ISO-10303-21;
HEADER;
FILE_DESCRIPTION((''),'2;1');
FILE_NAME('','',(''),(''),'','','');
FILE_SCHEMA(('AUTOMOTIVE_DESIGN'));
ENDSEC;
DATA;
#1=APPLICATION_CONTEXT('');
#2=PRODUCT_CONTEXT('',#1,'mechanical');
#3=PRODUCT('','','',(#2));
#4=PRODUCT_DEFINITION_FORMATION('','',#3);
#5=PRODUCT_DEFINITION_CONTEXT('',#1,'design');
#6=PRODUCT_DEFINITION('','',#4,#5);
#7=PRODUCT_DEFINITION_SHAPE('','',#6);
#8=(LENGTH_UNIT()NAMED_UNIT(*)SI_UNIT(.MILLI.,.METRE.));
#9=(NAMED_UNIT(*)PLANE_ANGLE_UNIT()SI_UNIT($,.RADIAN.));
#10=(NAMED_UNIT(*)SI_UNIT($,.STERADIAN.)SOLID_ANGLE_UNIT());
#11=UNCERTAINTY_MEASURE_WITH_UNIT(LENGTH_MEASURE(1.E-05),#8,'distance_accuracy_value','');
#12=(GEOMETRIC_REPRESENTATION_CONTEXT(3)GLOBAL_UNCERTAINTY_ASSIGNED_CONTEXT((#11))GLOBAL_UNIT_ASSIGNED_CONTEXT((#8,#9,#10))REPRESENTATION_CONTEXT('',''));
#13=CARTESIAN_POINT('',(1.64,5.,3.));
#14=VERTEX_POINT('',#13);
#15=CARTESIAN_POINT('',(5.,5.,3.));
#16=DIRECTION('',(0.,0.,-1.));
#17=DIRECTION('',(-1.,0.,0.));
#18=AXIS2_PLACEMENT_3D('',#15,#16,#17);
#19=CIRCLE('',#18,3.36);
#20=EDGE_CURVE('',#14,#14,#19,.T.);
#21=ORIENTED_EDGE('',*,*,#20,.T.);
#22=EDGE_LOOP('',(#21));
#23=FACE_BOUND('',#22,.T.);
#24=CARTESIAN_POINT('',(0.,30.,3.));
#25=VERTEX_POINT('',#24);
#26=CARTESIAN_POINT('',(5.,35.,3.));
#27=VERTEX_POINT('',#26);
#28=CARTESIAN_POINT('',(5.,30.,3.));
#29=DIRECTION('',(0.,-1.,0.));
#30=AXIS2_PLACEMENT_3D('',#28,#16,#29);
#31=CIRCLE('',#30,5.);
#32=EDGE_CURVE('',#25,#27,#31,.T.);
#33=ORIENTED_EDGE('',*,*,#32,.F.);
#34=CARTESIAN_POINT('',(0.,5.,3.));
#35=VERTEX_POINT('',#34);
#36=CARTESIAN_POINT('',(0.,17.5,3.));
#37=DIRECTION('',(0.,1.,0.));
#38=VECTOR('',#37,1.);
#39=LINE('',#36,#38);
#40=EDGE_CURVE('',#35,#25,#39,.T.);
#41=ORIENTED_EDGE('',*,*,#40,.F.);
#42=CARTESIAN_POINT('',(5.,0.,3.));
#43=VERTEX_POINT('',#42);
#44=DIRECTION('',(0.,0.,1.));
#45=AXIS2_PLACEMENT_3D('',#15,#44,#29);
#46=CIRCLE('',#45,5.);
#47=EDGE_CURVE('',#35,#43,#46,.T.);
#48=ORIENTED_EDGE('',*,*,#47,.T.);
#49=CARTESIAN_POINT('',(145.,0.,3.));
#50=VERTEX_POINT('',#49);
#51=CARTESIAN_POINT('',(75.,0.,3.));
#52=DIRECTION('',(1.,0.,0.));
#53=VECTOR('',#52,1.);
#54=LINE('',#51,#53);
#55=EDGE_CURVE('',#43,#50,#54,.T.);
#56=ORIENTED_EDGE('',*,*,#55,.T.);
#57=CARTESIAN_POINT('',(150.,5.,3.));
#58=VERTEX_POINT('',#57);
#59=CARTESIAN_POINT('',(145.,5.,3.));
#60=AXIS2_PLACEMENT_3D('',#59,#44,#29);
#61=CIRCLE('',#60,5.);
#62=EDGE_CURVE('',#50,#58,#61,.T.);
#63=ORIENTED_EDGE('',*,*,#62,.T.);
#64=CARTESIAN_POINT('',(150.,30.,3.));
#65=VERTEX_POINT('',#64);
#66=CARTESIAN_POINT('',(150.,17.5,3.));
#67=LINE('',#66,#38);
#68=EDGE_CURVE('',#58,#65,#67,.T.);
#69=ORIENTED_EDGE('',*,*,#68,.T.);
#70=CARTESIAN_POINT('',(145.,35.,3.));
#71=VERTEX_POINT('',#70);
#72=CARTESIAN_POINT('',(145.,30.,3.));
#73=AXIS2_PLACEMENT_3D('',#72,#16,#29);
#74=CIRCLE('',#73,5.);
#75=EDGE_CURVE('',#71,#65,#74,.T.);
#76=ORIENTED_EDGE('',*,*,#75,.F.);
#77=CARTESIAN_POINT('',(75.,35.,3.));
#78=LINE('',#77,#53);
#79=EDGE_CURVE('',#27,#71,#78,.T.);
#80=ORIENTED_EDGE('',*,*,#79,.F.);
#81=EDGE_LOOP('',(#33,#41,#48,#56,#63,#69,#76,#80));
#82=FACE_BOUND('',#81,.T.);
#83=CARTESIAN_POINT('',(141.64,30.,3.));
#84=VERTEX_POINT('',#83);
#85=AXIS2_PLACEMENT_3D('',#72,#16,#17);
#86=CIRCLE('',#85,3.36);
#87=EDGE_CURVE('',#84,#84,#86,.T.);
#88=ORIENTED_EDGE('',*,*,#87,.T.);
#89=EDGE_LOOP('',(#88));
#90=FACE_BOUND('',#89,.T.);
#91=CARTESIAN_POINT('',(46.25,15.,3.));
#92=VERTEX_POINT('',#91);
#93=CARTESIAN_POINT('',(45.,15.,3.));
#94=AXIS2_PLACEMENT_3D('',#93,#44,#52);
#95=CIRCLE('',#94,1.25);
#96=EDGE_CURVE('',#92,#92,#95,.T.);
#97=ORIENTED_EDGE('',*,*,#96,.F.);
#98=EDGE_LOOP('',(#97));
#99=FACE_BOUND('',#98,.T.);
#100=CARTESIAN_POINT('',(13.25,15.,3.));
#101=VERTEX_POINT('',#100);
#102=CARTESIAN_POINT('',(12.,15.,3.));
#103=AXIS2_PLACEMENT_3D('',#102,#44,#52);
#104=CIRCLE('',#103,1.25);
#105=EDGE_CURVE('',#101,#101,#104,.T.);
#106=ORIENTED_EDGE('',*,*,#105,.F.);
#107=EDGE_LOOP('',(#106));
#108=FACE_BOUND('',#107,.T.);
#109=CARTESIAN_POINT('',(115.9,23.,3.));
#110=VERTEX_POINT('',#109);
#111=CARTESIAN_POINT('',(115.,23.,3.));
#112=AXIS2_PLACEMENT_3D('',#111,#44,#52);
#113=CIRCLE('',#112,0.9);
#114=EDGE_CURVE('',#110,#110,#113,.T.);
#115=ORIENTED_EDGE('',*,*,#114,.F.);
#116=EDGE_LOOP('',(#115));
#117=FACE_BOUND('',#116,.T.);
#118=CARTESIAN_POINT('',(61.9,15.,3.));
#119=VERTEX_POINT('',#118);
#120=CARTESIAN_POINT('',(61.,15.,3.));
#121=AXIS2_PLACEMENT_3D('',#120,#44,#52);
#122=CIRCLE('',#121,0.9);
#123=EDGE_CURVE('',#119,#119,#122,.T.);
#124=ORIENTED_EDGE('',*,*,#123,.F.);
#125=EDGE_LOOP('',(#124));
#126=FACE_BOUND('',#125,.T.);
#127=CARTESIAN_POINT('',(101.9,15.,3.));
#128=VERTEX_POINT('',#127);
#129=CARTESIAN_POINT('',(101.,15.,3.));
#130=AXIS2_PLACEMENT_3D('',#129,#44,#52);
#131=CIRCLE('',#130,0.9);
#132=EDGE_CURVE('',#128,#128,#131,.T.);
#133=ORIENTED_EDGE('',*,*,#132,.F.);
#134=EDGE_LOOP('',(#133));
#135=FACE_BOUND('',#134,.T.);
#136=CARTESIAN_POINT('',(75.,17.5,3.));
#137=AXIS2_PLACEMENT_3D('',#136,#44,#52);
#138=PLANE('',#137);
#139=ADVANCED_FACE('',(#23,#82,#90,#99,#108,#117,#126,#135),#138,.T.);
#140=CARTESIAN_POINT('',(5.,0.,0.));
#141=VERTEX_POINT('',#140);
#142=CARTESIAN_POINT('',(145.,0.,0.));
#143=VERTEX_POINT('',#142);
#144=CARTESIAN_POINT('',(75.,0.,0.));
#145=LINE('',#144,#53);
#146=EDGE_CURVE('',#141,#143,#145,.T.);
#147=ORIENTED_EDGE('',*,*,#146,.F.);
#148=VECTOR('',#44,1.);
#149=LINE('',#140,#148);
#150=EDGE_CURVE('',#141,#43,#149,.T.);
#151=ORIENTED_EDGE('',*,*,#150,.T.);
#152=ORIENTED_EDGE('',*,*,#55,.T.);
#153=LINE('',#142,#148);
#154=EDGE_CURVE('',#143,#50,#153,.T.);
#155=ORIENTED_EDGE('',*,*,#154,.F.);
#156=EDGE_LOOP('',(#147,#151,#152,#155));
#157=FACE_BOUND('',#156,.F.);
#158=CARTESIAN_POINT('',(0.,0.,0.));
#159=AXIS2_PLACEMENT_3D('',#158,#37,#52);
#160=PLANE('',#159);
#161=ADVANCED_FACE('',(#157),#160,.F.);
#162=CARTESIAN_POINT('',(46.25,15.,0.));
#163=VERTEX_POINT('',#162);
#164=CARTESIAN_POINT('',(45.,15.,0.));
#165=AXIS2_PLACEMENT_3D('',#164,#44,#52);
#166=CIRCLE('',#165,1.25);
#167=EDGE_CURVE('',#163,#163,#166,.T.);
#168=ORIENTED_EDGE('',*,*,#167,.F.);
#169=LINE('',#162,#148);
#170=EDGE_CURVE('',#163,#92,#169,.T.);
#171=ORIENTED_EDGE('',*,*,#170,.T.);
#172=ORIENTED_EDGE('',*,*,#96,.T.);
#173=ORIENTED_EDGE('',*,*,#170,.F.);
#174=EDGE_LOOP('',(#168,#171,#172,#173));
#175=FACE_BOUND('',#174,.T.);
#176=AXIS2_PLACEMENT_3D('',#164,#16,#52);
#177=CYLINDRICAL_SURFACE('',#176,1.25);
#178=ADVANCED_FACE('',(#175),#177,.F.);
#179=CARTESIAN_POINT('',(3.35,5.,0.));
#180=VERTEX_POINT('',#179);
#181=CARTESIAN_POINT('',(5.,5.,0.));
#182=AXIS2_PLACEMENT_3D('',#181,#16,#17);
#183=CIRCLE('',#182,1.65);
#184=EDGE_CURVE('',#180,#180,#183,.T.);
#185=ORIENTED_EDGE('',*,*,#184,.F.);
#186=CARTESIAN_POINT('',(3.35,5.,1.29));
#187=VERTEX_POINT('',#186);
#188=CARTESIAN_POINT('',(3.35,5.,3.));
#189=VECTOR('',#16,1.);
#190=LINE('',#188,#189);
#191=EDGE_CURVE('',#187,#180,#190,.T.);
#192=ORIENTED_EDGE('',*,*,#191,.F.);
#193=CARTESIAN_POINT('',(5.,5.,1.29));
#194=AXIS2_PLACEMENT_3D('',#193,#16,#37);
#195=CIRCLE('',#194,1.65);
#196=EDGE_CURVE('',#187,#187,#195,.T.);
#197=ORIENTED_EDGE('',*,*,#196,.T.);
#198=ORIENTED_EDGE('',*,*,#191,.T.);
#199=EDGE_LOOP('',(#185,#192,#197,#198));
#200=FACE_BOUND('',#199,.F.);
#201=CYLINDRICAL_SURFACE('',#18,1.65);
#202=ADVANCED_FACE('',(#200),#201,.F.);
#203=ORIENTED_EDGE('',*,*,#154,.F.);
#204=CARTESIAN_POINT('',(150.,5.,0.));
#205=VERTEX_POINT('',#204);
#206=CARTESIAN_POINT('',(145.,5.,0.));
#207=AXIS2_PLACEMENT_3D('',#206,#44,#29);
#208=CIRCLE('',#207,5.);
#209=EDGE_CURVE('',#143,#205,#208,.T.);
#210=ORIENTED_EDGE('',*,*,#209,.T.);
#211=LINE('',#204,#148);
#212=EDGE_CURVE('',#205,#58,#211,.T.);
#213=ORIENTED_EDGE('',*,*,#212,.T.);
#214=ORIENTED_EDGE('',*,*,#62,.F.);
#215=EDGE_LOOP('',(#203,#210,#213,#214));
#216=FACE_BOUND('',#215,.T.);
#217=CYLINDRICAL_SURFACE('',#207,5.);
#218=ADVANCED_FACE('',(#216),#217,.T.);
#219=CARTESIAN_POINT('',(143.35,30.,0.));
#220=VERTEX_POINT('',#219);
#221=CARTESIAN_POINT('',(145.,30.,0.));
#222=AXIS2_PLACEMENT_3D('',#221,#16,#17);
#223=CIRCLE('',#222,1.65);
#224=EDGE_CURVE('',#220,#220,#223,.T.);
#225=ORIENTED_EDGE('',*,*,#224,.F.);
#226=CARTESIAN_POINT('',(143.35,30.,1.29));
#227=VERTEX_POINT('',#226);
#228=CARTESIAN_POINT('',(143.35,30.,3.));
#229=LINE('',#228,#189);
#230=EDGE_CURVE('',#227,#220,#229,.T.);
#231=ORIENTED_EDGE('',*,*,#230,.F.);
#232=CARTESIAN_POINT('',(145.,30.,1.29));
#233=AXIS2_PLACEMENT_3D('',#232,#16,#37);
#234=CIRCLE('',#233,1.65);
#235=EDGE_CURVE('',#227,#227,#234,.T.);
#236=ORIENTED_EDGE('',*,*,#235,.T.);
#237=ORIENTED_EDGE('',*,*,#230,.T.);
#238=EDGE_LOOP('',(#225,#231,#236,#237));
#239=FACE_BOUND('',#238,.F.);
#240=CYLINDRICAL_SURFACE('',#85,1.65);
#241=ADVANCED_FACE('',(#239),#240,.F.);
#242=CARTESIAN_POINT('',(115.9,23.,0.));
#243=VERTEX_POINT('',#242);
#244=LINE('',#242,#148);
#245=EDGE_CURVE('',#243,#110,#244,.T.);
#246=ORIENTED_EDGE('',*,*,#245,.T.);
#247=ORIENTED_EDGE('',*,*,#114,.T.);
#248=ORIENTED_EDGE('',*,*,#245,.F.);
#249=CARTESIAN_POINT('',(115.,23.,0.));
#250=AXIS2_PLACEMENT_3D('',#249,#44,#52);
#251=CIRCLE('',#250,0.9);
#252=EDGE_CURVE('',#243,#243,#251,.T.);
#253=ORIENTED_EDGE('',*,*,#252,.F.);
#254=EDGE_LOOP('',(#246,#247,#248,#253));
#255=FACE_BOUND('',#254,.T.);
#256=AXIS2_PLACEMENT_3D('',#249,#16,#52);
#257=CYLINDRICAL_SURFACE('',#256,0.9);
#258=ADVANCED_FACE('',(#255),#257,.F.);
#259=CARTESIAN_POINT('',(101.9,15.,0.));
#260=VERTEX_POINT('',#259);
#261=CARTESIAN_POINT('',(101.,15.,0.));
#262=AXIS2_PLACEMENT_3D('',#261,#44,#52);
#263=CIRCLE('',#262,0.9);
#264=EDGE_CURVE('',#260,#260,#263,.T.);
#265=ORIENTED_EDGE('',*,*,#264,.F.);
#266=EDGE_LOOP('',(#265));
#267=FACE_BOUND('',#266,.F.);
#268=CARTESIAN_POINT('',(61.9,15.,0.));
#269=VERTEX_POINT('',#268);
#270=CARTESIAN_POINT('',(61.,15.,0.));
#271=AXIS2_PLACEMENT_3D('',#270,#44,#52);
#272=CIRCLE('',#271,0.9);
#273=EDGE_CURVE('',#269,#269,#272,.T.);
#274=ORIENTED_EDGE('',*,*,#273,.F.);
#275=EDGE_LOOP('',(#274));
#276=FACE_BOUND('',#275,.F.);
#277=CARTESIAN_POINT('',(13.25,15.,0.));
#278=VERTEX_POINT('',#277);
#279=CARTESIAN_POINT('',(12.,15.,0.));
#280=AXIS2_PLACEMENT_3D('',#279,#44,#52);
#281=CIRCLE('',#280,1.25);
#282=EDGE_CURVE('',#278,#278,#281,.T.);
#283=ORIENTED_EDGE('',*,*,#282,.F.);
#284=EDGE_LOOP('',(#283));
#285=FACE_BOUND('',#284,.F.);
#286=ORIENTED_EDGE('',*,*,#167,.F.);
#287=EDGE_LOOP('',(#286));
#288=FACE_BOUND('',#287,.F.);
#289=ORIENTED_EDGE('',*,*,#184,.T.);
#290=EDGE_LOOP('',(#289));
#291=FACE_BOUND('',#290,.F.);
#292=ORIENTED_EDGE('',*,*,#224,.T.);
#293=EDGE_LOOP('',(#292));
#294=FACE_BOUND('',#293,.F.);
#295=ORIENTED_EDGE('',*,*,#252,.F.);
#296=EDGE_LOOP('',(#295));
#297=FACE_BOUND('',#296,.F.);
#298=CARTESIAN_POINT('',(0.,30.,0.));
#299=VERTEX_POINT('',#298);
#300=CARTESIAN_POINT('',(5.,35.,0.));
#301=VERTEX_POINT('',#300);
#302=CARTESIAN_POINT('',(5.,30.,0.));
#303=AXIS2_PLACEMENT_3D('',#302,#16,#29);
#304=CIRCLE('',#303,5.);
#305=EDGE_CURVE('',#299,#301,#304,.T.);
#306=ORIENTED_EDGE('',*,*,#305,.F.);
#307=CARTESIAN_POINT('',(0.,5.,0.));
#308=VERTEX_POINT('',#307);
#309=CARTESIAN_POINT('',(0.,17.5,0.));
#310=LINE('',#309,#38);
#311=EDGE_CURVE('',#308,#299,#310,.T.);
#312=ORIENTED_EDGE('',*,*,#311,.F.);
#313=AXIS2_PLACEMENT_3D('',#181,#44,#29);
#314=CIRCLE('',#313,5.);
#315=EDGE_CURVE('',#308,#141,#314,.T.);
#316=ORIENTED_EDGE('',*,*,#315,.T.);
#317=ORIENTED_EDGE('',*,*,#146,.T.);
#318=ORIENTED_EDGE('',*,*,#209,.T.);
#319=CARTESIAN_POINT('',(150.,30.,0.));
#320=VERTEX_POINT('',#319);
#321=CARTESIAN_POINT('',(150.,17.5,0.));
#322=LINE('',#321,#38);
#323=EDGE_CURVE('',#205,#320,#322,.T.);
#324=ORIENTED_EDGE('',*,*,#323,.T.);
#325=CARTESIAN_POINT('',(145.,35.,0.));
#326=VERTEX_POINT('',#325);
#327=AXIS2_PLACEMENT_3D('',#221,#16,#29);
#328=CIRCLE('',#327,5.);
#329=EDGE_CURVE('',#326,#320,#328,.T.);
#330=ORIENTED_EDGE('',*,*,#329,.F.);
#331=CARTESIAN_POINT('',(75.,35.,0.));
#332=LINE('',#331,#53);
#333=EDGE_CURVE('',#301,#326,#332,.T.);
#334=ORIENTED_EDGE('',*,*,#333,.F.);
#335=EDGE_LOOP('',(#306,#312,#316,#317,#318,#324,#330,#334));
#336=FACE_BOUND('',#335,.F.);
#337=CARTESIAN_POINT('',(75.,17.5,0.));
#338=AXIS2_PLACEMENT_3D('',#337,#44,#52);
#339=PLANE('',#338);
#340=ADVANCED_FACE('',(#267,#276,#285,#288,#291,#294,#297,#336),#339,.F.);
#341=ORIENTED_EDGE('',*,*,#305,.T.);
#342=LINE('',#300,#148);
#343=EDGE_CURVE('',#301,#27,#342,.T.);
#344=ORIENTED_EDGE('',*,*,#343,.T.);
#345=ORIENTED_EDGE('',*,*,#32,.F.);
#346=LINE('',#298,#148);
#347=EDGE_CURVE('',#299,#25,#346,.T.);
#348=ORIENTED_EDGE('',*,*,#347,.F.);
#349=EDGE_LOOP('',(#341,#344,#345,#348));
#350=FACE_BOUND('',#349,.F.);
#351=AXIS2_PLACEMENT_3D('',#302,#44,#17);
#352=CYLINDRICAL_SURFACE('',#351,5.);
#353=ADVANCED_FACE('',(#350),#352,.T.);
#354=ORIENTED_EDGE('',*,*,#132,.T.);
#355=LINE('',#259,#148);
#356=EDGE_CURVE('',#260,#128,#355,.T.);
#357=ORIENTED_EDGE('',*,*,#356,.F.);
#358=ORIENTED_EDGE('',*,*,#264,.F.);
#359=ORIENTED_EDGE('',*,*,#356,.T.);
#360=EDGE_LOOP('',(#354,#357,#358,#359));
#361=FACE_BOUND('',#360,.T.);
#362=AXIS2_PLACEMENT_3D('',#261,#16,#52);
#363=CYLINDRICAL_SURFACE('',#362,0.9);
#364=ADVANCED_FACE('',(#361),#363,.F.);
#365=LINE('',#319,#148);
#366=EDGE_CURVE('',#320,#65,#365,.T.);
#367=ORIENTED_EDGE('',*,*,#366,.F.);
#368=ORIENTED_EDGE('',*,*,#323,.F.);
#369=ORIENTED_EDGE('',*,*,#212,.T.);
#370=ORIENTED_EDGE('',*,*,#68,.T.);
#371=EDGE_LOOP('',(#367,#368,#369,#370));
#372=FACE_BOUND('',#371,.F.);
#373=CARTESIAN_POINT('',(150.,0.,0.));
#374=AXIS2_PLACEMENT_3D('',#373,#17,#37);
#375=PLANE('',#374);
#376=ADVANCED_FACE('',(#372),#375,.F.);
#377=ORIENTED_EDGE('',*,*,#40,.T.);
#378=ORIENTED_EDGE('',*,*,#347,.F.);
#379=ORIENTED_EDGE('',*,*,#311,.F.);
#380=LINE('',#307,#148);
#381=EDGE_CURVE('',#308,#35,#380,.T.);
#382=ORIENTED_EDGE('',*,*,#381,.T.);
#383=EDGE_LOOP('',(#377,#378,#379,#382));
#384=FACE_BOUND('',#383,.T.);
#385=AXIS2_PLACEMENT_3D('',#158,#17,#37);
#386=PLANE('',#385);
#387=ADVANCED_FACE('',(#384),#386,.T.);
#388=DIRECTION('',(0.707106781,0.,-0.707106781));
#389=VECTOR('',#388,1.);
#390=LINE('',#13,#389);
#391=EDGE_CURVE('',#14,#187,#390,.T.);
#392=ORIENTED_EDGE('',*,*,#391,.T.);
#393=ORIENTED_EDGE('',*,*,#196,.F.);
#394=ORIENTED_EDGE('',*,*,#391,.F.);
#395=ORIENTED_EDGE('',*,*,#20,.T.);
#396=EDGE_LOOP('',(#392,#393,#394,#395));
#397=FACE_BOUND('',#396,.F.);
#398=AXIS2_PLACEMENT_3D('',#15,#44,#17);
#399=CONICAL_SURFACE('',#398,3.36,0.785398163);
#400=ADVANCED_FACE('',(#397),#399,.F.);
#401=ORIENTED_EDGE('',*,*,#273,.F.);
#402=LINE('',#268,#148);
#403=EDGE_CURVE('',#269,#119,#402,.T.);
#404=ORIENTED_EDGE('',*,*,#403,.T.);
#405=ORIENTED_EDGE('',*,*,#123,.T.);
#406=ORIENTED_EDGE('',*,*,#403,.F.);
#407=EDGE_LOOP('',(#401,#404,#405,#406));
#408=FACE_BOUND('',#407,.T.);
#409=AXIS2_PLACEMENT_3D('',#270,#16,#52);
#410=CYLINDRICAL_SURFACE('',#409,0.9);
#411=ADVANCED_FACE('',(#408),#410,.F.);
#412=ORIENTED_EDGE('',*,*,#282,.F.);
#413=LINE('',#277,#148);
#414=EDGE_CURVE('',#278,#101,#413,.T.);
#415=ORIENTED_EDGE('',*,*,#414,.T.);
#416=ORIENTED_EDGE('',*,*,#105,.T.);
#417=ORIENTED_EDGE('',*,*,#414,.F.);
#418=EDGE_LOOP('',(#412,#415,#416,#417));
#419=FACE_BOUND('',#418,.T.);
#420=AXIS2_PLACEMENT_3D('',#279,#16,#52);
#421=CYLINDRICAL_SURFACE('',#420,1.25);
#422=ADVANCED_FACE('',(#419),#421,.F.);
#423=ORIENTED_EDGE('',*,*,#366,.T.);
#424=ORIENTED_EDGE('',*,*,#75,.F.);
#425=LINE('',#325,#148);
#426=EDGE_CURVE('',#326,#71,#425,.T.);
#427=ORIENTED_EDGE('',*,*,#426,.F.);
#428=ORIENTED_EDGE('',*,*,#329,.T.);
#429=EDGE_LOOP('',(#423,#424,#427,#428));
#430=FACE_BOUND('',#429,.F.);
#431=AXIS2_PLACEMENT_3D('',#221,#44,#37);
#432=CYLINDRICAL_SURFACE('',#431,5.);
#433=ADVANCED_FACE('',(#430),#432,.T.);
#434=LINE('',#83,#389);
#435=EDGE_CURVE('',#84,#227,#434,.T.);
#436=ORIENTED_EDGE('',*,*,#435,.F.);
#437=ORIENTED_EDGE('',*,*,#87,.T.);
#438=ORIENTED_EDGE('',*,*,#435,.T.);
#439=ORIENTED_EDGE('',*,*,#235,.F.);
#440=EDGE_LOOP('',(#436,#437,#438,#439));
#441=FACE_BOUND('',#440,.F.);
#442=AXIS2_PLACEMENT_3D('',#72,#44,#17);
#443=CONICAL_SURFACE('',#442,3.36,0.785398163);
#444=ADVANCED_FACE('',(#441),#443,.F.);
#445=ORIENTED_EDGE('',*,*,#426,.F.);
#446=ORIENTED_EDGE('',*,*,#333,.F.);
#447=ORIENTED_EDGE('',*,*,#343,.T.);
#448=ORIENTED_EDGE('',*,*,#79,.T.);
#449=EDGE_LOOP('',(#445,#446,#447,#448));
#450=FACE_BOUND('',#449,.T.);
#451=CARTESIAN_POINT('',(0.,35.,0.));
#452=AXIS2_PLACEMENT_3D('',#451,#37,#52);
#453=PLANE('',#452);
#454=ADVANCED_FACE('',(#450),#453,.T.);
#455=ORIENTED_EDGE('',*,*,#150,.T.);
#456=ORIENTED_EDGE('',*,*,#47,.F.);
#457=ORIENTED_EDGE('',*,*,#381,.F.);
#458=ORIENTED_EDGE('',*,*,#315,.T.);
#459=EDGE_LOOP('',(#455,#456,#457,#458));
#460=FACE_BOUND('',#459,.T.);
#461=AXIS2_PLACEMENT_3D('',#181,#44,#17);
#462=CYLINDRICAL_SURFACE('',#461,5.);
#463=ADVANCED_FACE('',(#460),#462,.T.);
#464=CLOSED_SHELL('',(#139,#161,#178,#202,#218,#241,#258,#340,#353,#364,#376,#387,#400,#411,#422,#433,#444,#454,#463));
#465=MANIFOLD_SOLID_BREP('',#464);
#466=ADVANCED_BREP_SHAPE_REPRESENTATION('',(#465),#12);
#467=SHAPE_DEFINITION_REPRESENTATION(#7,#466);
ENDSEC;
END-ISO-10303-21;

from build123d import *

# Parameters (mm, degrees)
F0_W           = 150
F0_H           = 35
F0_R           = 1.25
F0_R_2         = 0.9
F1_DEPTH       = 3
F2_R           = 5
F4_D           = 3.3
F4_CSINK_D     = 6.72
F4_CSINK_ANGLE = 90


with BuildPart() as f1:
    # F0 (on Top) → F1 (new body)
    with BuildSketch(Plane.XY):
        with Locations((75, 17.5)):
            Rectangle(F0_W, F0_H)
        with Locations((12, 15)):
            Circle(F0_R, mode=Mode.SUBTRACT)
        with Locations((45, 15)):
            Circle(F0_R, mode=Mode.SUBTRACT)
        with Locations((61, 15)):
            Circle(F0_R_2, mode=Mode.SUBTRACT)
        with Locations((101, 15)):
            Circle(F0_R_2, mode=Mode.SUBTRACT)
        with Locations((115, 23)):
            Circle(F0_R_2, mode=Mode.SUBTRACT)
    extrude(amount=F1_DEPTH)

    # F2
    f2_edges = [f1.edges().sort_by_distance(p)[0] for p in [
        (0, 35, 1.5),
        (0, 0, 1.5),
        (150, 0, 1.5),
        (150, 35, 1.5),
    ]]
    fillet(f2_edges, radius=F2_R)

    # F4 (through all)
    with Locations(Plane.XY.offset(3)):
        with Locations((5, 5), (145, 30)):
            CounterSinkHole(F4_D / 2, F4_CSINK_D / 2, counter_sink_angle=F4_CSINK_ANGLE)


solid = f1.part
